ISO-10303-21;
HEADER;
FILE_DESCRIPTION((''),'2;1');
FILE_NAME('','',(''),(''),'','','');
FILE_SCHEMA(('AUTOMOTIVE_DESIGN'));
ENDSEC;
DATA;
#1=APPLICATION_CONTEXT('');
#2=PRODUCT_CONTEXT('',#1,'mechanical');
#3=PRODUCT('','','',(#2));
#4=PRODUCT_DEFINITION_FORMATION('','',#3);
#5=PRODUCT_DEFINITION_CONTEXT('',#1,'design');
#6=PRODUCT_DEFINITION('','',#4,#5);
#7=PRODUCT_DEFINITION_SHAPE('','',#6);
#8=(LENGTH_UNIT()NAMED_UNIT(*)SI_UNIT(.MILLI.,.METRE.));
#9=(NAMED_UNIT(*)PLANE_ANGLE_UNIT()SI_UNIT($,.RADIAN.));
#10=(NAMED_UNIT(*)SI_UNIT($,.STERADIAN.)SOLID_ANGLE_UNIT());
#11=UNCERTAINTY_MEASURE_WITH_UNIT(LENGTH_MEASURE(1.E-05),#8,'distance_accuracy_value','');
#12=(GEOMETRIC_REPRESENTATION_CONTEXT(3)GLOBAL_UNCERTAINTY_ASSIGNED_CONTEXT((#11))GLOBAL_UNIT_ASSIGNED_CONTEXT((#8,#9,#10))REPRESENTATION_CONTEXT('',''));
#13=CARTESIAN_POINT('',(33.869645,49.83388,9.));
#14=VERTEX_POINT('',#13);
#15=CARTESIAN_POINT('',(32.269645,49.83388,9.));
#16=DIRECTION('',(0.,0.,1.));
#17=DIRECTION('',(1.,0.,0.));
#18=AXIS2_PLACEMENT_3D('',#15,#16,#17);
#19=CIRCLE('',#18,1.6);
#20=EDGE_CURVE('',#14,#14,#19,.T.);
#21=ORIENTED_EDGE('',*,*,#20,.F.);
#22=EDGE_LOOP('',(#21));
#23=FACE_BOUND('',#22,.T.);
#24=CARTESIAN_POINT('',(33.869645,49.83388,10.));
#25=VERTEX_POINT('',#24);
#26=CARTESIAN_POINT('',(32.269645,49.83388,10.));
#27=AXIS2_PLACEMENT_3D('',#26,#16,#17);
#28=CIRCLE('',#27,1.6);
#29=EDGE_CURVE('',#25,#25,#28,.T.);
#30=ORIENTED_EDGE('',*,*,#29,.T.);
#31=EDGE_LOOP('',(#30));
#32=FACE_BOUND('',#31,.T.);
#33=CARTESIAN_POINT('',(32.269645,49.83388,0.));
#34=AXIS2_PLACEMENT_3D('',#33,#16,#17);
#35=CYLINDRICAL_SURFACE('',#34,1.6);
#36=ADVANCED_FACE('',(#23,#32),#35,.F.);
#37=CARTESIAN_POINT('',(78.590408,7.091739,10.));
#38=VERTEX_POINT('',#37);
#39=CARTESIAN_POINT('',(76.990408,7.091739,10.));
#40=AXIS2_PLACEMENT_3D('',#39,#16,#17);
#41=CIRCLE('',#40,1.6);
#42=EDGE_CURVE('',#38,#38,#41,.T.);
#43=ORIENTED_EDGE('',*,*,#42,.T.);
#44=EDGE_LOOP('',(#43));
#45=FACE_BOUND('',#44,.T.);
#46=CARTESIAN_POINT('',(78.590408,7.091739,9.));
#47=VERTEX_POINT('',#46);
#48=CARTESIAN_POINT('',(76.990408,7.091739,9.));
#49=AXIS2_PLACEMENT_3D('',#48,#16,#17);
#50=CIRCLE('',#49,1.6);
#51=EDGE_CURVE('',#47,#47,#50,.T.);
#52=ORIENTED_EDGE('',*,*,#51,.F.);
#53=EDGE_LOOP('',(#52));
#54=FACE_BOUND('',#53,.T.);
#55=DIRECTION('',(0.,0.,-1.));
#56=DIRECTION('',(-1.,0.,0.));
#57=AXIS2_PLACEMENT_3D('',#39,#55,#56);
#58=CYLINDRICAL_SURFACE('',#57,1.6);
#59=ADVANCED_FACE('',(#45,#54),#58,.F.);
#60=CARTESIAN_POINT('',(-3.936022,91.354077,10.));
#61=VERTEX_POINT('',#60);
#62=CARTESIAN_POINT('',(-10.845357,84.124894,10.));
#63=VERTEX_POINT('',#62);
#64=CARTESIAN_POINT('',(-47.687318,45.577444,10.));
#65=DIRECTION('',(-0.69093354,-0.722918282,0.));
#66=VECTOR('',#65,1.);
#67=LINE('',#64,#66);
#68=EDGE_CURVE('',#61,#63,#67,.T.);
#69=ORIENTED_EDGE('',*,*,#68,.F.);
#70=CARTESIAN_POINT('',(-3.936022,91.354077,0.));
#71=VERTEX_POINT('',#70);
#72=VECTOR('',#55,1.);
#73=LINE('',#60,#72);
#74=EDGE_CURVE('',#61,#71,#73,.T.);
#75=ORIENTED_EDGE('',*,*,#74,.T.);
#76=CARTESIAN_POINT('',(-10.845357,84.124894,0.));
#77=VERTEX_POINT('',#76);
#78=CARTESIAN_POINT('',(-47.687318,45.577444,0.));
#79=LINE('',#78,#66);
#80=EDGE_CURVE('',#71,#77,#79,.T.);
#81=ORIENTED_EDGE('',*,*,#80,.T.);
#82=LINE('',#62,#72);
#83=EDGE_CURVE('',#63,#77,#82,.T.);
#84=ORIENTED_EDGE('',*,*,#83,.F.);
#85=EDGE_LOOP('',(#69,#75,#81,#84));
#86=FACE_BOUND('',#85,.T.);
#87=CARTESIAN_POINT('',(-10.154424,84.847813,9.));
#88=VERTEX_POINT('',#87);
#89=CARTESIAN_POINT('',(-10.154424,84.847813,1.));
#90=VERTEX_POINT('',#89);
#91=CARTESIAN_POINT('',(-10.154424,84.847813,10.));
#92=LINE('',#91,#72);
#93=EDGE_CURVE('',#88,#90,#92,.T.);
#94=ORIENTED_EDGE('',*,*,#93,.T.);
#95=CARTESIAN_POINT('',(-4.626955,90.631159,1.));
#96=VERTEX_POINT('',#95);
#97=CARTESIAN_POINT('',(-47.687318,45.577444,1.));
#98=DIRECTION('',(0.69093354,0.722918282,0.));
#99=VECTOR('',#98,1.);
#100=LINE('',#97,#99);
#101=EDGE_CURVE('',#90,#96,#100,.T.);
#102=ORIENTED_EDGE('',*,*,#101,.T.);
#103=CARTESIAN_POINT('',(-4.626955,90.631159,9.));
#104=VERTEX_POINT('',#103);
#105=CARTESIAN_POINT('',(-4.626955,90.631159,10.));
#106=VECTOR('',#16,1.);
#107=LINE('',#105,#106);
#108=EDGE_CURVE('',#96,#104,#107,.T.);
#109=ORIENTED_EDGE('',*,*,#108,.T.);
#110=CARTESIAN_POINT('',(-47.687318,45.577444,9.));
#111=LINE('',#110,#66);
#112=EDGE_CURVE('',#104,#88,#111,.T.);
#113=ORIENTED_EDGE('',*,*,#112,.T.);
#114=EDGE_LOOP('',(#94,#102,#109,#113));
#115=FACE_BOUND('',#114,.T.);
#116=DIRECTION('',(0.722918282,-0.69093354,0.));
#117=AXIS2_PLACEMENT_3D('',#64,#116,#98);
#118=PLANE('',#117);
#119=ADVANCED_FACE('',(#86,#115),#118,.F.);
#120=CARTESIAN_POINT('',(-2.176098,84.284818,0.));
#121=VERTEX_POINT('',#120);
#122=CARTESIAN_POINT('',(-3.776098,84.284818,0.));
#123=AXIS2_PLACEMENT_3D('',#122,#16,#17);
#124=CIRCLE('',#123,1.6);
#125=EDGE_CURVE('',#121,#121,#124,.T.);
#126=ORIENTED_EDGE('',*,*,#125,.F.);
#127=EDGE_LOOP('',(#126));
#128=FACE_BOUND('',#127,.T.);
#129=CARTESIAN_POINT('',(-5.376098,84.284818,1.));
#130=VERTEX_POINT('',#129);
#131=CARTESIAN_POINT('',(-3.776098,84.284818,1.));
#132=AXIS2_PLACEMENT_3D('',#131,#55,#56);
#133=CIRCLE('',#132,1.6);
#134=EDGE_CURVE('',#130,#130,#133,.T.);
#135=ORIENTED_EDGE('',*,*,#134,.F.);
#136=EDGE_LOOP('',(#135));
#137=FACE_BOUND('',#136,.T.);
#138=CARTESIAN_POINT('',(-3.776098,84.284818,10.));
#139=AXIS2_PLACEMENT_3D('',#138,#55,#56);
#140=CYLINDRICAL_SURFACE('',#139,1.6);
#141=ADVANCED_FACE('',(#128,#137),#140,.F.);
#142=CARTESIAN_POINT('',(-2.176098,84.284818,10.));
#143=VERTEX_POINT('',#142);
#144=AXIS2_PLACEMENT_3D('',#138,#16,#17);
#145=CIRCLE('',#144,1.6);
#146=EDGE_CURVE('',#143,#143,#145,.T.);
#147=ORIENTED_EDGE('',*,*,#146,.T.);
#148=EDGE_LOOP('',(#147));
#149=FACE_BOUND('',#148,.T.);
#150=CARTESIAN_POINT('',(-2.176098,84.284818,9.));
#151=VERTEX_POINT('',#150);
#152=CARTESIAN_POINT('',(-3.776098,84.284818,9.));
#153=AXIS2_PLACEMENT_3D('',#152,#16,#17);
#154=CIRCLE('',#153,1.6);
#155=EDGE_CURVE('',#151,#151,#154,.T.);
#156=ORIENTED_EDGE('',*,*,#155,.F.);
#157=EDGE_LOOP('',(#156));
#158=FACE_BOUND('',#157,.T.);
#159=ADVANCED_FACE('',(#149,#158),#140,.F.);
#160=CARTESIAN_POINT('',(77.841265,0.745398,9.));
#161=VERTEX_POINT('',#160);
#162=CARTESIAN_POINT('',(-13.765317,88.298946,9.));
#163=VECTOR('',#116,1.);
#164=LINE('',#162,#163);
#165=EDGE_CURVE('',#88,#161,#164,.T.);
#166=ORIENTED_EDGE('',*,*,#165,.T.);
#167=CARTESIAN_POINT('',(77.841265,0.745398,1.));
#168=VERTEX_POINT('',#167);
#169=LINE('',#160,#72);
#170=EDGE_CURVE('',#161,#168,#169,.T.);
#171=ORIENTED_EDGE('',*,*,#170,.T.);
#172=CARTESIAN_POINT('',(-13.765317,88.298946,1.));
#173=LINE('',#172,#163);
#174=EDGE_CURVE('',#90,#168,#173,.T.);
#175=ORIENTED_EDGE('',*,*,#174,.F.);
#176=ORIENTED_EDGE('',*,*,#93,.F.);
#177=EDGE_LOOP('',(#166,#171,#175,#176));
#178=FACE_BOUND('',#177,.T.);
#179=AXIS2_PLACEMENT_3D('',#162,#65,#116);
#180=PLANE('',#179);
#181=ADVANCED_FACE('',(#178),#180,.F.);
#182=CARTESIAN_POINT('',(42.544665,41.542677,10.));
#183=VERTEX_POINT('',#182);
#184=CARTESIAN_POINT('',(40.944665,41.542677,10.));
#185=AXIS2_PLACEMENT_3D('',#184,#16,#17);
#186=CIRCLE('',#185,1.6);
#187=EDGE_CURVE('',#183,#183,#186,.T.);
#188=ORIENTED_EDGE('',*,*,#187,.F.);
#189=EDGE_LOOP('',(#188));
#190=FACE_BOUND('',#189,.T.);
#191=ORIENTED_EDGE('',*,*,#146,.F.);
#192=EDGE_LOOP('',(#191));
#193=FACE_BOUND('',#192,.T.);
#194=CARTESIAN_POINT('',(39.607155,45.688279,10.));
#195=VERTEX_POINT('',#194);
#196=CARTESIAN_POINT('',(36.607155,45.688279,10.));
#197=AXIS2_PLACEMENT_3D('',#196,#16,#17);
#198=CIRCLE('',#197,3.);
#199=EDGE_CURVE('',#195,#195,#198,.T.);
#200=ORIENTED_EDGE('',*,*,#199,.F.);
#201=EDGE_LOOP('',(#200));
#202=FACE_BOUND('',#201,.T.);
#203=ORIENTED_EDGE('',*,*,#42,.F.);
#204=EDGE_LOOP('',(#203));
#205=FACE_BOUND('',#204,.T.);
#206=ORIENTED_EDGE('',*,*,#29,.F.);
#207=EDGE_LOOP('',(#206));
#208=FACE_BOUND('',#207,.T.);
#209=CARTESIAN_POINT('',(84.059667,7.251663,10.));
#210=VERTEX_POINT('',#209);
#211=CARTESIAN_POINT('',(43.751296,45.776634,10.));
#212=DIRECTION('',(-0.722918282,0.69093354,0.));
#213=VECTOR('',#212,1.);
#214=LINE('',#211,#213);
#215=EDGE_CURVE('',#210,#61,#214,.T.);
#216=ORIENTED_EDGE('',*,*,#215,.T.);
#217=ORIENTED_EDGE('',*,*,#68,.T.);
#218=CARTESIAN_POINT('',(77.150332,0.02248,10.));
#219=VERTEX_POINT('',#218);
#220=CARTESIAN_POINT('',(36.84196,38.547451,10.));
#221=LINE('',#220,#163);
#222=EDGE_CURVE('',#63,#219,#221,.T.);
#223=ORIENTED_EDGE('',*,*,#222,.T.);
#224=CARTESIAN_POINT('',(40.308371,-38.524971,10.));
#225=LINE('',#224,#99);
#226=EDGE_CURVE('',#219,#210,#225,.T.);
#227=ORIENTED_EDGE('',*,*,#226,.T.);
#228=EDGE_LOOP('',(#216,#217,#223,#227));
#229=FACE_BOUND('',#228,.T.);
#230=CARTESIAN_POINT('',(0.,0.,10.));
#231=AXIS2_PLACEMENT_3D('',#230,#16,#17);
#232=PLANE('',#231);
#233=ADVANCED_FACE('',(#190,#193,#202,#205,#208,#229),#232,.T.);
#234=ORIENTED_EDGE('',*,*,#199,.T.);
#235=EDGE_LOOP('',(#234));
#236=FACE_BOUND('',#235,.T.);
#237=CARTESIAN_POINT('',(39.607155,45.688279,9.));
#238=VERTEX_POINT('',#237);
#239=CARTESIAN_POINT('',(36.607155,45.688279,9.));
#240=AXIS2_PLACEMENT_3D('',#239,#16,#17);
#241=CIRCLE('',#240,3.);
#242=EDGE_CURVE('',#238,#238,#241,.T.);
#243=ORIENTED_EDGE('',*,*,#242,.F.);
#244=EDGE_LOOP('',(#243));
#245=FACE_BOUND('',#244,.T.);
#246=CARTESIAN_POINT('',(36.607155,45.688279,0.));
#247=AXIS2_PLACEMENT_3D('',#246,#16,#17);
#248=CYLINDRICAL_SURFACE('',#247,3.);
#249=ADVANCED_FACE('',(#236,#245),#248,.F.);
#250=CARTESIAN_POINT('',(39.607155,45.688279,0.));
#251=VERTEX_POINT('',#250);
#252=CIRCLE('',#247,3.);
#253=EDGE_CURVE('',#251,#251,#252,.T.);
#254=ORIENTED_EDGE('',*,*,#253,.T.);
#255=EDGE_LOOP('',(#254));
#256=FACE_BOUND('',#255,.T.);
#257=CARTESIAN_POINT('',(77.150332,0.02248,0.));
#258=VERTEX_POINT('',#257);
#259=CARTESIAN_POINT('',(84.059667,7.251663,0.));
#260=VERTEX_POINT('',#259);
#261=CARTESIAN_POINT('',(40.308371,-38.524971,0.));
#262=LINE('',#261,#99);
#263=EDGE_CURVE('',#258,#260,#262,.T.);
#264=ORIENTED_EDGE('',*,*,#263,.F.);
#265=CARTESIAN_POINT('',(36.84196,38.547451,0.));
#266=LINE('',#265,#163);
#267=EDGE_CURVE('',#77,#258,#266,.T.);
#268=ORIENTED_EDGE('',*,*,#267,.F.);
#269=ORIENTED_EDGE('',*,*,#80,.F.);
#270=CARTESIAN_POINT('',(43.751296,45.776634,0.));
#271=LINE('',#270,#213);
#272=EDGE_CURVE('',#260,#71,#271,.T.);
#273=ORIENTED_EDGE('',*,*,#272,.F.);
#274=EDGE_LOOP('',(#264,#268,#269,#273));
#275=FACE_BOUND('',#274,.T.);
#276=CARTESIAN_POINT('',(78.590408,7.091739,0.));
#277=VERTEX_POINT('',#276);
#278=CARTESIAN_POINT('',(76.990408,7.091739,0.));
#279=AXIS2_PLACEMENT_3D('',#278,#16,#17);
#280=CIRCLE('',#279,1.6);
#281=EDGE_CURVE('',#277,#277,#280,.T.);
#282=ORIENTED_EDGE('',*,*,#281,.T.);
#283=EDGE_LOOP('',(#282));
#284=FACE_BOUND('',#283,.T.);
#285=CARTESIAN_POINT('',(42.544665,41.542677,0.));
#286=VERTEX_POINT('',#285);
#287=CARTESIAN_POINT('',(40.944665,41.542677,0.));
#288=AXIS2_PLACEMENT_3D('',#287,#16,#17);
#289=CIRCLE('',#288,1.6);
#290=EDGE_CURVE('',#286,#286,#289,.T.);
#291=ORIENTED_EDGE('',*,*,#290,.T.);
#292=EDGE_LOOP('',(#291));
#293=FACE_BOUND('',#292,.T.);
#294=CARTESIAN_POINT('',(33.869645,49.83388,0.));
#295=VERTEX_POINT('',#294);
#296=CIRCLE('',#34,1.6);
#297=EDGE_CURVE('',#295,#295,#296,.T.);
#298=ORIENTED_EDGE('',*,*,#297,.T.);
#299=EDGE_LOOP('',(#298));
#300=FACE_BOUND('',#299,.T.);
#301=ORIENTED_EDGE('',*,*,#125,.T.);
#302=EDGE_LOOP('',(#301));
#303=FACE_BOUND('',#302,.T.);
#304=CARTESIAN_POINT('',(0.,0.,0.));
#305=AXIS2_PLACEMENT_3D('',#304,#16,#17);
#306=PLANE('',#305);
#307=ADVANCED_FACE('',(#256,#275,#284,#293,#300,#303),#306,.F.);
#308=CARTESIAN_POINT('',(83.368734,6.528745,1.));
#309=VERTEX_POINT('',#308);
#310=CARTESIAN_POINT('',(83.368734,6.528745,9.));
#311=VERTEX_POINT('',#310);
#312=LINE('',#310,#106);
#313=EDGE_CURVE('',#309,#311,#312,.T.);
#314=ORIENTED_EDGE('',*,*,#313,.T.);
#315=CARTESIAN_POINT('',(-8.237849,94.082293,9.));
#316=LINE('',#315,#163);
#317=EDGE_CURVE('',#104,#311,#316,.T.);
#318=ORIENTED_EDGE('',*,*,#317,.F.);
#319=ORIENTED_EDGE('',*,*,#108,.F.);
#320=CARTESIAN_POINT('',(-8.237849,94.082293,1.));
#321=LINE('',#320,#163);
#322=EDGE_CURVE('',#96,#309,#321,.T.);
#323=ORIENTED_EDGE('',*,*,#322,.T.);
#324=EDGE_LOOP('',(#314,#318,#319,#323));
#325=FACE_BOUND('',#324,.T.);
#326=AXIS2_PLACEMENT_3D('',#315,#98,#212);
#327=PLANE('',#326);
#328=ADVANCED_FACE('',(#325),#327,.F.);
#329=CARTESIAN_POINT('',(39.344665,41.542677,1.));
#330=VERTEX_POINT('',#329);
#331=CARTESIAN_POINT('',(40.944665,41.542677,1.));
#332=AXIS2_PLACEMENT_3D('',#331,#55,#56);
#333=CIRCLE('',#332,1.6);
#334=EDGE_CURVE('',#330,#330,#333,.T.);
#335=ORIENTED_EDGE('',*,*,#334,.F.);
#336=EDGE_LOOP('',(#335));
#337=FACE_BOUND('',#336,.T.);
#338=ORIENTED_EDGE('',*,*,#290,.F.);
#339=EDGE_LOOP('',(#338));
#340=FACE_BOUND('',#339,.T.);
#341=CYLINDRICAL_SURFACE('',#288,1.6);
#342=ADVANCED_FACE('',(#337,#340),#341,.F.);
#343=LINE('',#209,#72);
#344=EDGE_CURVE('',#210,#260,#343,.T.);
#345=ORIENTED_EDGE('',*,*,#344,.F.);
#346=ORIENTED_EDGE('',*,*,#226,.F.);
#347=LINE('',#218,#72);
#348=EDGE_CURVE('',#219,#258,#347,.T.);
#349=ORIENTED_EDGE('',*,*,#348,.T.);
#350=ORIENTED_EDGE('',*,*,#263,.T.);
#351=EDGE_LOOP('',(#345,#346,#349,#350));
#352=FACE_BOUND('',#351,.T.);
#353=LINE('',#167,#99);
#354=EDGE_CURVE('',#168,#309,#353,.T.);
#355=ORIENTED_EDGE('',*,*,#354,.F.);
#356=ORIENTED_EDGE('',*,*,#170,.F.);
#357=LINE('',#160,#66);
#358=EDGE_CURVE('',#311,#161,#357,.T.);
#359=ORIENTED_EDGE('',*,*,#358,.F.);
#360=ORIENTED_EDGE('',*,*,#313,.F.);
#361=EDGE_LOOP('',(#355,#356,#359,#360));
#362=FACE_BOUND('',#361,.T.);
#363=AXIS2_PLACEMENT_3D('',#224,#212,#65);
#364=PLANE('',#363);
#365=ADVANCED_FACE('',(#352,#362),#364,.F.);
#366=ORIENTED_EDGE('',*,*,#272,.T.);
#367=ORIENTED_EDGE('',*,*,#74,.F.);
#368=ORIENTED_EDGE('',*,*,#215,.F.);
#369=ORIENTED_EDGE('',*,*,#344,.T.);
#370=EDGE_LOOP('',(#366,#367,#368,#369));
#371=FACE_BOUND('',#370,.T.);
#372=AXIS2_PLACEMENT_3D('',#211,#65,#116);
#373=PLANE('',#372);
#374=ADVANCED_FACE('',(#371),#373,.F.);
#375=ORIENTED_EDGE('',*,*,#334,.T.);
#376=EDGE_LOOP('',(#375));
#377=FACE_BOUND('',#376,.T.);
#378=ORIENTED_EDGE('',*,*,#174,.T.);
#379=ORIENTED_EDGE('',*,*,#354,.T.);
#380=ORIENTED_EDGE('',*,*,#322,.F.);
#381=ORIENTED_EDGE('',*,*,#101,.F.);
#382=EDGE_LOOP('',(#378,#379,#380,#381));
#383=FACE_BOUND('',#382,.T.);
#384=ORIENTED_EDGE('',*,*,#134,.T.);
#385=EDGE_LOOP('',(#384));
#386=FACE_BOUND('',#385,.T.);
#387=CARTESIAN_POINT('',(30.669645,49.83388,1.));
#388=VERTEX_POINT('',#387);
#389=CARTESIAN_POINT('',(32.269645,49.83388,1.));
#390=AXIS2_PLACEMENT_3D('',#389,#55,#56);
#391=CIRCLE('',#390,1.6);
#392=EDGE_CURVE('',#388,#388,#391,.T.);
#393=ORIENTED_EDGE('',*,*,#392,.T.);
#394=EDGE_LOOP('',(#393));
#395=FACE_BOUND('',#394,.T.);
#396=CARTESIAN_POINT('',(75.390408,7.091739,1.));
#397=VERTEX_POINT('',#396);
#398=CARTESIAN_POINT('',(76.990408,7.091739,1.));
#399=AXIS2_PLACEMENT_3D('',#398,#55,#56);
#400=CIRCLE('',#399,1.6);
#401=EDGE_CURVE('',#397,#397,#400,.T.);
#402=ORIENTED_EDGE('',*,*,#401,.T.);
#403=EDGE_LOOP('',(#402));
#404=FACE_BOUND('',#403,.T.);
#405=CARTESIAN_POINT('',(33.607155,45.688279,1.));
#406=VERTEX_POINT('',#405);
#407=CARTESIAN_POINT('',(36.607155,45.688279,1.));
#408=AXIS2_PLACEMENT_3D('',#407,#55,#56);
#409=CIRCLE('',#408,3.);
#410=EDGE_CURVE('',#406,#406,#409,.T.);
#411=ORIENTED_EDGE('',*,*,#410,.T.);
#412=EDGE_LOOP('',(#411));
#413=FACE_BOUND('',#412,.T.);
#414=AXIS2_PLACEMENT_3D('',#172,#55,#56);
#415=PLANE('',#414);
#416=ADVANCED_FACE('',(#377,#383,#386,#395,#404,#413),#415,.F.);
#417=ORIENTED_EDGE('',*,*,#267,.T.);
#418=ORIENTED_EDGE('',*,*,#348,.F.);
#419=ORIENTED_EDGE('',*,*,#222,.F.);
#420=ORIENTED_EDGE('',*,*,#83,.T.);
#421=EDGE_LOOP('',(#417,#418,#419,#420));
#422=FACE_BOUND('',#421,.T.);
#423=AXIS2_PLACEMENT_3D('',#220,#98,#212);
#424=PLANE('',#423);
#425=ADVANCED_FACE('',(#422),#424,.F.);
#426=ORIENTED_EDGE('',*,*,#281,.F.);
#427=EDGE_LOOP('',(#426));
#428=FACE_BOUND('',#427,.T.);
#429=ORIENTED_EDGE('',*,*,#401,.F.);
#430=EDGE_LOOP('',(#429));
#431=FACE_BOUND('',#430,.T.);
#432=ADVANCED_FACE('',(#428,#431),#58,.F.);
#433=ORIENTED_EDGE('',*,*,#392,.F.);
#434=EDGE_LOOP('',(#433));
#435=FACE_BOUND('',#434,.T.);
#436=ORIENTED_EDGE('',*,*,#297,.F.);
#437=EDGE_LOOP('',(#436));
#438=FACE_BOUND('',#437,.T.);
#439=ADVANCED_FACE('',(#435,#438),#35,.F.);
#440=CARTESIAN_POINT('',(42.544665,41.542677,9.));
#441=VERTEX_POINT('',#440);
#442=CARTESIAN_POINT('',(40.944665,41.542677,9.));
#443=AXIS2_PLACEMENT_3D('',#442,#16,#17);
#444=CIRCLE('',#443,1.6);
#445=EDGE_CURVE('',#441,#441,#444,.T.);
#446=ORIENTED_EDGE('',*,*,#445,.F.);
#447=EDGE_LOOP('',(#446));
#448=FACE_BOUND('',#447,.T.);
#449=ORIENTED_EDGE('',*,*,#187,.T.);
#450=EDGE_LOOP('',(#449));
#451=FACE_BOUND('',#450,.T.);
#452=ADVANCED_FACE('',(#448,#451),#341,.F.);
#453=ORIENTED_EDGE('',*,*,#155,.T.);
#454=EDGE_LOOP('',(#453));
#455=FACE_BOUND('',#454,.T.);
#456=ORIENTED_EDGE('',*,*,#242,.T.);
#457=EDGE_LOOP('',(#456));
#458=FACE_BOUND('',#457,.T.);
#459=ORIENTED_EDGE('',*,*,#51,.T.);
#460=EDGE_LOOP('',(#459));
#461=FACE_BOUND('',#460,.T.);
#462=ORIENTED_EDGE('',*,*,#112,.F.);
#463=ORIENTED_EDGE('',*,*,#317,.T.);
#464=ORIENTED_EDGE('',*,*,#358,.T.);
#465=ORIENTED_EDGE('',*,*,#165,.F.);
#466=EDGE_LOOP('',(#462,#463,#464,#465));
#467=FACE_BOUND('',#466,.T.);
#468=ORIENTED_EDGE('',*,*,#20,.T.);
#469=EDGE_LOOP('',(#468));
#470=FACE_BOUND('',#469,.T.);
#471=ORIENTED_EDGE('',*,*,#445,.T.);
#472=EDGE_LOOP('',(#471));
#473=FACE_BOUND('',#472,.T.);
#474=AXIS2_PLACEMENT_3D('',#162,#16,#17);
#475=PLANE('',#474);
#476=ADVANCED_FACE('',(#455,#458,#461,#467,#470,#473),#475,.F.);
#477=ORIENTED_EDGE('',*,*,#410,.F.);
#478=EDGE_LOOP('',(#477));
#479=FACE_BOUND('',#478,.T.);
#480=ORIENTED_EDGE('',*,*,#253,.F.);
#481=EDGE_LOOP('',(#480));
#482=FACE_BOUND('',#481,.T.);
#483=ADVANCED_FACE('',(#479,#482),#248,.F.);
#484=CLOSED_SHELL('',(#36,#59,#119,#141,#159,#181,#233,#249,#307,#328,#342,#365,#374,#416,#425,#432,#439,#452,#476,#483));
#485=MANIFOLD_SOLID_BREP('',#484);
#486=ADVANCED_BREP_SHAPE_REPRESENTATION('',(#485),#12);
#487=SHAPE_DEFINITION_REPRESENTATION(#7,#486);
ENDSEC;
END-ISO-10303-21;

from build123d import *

# Parameters (mm, degrees)
SKETCH_2_R          = 1.6
EXTRUDE_1_DEPTH     = 10
SKETCH_3_W          = 8
SKETCH_3_H          = 8
CUT_EXTRUDE_1_DEPTH = 140.947387002
SKETCH_4_R          = 1.6
SKETCH_4_R_2        = 3
CUT_EXTRUDE_2_DEPTH = 10


with BuildPart() as part:
    # ｽｹｯﾁ2 → ﾎﾞｽ - 押し出し1 (new body)
    with BuildSketch(Plane.XY):
        Polygon((83.071643169, 8.195972832), (-3.936021884, 91.354077293), (-10.845357286, 84.124894469), (77.150331852, 0.022479987), (84.059667254, 7.25166281), align=None)
        with Locations((-3.776098173, 84.28481818)):
            Circle(SKETCH_2_R, mode=Mode.SUBTRACT)
        with Locations((76.990408141, 7.0917391)):
            Circle(SKETCH_2_R, mode=Mode.SUBTRACT)
    extrude(amount=EXTRUDE_1_DEPTH)

    # ｽｹｯﾁ3 → ｶｯﾄ - 押し出し1 (cut, through all)
    with BuildSketch(Plane(origin=(40.308371471, -38.524970914, 0), x_dir=(0, 0, -1), z_dir=(0.7229182823698357, -0.690933540230496, 0))):
        with Locations((-5, 58.32200311)):
            Rectangle(SKETCH_3_W, SKETCH_3_H)
    extrude(amount=-CUT_EXTRUDE_1_DEPTH, mode=Mode.SUBTRACT)

    # ｽｹｯﾁ4 → ｶｯﾄ - 押し出し2 (cut)
    with BuildSketch(Plane.XY.offset(10)):
        with Locations((40.944664678, 41.542677398)):
            Circle(SKETCH_4_R)
        with Locations((32.26964529, 49.833879881)):
            Circle(SKETCH_4_R)
        with Locations((36.607154984, 45.68827864)):
            Circle(SKETCH_4_R_2)
    extrude(amount=-CUT_EXTRUDE_2_DEPTH, mode=Mode.SUBTRACT)


solid = part.part
